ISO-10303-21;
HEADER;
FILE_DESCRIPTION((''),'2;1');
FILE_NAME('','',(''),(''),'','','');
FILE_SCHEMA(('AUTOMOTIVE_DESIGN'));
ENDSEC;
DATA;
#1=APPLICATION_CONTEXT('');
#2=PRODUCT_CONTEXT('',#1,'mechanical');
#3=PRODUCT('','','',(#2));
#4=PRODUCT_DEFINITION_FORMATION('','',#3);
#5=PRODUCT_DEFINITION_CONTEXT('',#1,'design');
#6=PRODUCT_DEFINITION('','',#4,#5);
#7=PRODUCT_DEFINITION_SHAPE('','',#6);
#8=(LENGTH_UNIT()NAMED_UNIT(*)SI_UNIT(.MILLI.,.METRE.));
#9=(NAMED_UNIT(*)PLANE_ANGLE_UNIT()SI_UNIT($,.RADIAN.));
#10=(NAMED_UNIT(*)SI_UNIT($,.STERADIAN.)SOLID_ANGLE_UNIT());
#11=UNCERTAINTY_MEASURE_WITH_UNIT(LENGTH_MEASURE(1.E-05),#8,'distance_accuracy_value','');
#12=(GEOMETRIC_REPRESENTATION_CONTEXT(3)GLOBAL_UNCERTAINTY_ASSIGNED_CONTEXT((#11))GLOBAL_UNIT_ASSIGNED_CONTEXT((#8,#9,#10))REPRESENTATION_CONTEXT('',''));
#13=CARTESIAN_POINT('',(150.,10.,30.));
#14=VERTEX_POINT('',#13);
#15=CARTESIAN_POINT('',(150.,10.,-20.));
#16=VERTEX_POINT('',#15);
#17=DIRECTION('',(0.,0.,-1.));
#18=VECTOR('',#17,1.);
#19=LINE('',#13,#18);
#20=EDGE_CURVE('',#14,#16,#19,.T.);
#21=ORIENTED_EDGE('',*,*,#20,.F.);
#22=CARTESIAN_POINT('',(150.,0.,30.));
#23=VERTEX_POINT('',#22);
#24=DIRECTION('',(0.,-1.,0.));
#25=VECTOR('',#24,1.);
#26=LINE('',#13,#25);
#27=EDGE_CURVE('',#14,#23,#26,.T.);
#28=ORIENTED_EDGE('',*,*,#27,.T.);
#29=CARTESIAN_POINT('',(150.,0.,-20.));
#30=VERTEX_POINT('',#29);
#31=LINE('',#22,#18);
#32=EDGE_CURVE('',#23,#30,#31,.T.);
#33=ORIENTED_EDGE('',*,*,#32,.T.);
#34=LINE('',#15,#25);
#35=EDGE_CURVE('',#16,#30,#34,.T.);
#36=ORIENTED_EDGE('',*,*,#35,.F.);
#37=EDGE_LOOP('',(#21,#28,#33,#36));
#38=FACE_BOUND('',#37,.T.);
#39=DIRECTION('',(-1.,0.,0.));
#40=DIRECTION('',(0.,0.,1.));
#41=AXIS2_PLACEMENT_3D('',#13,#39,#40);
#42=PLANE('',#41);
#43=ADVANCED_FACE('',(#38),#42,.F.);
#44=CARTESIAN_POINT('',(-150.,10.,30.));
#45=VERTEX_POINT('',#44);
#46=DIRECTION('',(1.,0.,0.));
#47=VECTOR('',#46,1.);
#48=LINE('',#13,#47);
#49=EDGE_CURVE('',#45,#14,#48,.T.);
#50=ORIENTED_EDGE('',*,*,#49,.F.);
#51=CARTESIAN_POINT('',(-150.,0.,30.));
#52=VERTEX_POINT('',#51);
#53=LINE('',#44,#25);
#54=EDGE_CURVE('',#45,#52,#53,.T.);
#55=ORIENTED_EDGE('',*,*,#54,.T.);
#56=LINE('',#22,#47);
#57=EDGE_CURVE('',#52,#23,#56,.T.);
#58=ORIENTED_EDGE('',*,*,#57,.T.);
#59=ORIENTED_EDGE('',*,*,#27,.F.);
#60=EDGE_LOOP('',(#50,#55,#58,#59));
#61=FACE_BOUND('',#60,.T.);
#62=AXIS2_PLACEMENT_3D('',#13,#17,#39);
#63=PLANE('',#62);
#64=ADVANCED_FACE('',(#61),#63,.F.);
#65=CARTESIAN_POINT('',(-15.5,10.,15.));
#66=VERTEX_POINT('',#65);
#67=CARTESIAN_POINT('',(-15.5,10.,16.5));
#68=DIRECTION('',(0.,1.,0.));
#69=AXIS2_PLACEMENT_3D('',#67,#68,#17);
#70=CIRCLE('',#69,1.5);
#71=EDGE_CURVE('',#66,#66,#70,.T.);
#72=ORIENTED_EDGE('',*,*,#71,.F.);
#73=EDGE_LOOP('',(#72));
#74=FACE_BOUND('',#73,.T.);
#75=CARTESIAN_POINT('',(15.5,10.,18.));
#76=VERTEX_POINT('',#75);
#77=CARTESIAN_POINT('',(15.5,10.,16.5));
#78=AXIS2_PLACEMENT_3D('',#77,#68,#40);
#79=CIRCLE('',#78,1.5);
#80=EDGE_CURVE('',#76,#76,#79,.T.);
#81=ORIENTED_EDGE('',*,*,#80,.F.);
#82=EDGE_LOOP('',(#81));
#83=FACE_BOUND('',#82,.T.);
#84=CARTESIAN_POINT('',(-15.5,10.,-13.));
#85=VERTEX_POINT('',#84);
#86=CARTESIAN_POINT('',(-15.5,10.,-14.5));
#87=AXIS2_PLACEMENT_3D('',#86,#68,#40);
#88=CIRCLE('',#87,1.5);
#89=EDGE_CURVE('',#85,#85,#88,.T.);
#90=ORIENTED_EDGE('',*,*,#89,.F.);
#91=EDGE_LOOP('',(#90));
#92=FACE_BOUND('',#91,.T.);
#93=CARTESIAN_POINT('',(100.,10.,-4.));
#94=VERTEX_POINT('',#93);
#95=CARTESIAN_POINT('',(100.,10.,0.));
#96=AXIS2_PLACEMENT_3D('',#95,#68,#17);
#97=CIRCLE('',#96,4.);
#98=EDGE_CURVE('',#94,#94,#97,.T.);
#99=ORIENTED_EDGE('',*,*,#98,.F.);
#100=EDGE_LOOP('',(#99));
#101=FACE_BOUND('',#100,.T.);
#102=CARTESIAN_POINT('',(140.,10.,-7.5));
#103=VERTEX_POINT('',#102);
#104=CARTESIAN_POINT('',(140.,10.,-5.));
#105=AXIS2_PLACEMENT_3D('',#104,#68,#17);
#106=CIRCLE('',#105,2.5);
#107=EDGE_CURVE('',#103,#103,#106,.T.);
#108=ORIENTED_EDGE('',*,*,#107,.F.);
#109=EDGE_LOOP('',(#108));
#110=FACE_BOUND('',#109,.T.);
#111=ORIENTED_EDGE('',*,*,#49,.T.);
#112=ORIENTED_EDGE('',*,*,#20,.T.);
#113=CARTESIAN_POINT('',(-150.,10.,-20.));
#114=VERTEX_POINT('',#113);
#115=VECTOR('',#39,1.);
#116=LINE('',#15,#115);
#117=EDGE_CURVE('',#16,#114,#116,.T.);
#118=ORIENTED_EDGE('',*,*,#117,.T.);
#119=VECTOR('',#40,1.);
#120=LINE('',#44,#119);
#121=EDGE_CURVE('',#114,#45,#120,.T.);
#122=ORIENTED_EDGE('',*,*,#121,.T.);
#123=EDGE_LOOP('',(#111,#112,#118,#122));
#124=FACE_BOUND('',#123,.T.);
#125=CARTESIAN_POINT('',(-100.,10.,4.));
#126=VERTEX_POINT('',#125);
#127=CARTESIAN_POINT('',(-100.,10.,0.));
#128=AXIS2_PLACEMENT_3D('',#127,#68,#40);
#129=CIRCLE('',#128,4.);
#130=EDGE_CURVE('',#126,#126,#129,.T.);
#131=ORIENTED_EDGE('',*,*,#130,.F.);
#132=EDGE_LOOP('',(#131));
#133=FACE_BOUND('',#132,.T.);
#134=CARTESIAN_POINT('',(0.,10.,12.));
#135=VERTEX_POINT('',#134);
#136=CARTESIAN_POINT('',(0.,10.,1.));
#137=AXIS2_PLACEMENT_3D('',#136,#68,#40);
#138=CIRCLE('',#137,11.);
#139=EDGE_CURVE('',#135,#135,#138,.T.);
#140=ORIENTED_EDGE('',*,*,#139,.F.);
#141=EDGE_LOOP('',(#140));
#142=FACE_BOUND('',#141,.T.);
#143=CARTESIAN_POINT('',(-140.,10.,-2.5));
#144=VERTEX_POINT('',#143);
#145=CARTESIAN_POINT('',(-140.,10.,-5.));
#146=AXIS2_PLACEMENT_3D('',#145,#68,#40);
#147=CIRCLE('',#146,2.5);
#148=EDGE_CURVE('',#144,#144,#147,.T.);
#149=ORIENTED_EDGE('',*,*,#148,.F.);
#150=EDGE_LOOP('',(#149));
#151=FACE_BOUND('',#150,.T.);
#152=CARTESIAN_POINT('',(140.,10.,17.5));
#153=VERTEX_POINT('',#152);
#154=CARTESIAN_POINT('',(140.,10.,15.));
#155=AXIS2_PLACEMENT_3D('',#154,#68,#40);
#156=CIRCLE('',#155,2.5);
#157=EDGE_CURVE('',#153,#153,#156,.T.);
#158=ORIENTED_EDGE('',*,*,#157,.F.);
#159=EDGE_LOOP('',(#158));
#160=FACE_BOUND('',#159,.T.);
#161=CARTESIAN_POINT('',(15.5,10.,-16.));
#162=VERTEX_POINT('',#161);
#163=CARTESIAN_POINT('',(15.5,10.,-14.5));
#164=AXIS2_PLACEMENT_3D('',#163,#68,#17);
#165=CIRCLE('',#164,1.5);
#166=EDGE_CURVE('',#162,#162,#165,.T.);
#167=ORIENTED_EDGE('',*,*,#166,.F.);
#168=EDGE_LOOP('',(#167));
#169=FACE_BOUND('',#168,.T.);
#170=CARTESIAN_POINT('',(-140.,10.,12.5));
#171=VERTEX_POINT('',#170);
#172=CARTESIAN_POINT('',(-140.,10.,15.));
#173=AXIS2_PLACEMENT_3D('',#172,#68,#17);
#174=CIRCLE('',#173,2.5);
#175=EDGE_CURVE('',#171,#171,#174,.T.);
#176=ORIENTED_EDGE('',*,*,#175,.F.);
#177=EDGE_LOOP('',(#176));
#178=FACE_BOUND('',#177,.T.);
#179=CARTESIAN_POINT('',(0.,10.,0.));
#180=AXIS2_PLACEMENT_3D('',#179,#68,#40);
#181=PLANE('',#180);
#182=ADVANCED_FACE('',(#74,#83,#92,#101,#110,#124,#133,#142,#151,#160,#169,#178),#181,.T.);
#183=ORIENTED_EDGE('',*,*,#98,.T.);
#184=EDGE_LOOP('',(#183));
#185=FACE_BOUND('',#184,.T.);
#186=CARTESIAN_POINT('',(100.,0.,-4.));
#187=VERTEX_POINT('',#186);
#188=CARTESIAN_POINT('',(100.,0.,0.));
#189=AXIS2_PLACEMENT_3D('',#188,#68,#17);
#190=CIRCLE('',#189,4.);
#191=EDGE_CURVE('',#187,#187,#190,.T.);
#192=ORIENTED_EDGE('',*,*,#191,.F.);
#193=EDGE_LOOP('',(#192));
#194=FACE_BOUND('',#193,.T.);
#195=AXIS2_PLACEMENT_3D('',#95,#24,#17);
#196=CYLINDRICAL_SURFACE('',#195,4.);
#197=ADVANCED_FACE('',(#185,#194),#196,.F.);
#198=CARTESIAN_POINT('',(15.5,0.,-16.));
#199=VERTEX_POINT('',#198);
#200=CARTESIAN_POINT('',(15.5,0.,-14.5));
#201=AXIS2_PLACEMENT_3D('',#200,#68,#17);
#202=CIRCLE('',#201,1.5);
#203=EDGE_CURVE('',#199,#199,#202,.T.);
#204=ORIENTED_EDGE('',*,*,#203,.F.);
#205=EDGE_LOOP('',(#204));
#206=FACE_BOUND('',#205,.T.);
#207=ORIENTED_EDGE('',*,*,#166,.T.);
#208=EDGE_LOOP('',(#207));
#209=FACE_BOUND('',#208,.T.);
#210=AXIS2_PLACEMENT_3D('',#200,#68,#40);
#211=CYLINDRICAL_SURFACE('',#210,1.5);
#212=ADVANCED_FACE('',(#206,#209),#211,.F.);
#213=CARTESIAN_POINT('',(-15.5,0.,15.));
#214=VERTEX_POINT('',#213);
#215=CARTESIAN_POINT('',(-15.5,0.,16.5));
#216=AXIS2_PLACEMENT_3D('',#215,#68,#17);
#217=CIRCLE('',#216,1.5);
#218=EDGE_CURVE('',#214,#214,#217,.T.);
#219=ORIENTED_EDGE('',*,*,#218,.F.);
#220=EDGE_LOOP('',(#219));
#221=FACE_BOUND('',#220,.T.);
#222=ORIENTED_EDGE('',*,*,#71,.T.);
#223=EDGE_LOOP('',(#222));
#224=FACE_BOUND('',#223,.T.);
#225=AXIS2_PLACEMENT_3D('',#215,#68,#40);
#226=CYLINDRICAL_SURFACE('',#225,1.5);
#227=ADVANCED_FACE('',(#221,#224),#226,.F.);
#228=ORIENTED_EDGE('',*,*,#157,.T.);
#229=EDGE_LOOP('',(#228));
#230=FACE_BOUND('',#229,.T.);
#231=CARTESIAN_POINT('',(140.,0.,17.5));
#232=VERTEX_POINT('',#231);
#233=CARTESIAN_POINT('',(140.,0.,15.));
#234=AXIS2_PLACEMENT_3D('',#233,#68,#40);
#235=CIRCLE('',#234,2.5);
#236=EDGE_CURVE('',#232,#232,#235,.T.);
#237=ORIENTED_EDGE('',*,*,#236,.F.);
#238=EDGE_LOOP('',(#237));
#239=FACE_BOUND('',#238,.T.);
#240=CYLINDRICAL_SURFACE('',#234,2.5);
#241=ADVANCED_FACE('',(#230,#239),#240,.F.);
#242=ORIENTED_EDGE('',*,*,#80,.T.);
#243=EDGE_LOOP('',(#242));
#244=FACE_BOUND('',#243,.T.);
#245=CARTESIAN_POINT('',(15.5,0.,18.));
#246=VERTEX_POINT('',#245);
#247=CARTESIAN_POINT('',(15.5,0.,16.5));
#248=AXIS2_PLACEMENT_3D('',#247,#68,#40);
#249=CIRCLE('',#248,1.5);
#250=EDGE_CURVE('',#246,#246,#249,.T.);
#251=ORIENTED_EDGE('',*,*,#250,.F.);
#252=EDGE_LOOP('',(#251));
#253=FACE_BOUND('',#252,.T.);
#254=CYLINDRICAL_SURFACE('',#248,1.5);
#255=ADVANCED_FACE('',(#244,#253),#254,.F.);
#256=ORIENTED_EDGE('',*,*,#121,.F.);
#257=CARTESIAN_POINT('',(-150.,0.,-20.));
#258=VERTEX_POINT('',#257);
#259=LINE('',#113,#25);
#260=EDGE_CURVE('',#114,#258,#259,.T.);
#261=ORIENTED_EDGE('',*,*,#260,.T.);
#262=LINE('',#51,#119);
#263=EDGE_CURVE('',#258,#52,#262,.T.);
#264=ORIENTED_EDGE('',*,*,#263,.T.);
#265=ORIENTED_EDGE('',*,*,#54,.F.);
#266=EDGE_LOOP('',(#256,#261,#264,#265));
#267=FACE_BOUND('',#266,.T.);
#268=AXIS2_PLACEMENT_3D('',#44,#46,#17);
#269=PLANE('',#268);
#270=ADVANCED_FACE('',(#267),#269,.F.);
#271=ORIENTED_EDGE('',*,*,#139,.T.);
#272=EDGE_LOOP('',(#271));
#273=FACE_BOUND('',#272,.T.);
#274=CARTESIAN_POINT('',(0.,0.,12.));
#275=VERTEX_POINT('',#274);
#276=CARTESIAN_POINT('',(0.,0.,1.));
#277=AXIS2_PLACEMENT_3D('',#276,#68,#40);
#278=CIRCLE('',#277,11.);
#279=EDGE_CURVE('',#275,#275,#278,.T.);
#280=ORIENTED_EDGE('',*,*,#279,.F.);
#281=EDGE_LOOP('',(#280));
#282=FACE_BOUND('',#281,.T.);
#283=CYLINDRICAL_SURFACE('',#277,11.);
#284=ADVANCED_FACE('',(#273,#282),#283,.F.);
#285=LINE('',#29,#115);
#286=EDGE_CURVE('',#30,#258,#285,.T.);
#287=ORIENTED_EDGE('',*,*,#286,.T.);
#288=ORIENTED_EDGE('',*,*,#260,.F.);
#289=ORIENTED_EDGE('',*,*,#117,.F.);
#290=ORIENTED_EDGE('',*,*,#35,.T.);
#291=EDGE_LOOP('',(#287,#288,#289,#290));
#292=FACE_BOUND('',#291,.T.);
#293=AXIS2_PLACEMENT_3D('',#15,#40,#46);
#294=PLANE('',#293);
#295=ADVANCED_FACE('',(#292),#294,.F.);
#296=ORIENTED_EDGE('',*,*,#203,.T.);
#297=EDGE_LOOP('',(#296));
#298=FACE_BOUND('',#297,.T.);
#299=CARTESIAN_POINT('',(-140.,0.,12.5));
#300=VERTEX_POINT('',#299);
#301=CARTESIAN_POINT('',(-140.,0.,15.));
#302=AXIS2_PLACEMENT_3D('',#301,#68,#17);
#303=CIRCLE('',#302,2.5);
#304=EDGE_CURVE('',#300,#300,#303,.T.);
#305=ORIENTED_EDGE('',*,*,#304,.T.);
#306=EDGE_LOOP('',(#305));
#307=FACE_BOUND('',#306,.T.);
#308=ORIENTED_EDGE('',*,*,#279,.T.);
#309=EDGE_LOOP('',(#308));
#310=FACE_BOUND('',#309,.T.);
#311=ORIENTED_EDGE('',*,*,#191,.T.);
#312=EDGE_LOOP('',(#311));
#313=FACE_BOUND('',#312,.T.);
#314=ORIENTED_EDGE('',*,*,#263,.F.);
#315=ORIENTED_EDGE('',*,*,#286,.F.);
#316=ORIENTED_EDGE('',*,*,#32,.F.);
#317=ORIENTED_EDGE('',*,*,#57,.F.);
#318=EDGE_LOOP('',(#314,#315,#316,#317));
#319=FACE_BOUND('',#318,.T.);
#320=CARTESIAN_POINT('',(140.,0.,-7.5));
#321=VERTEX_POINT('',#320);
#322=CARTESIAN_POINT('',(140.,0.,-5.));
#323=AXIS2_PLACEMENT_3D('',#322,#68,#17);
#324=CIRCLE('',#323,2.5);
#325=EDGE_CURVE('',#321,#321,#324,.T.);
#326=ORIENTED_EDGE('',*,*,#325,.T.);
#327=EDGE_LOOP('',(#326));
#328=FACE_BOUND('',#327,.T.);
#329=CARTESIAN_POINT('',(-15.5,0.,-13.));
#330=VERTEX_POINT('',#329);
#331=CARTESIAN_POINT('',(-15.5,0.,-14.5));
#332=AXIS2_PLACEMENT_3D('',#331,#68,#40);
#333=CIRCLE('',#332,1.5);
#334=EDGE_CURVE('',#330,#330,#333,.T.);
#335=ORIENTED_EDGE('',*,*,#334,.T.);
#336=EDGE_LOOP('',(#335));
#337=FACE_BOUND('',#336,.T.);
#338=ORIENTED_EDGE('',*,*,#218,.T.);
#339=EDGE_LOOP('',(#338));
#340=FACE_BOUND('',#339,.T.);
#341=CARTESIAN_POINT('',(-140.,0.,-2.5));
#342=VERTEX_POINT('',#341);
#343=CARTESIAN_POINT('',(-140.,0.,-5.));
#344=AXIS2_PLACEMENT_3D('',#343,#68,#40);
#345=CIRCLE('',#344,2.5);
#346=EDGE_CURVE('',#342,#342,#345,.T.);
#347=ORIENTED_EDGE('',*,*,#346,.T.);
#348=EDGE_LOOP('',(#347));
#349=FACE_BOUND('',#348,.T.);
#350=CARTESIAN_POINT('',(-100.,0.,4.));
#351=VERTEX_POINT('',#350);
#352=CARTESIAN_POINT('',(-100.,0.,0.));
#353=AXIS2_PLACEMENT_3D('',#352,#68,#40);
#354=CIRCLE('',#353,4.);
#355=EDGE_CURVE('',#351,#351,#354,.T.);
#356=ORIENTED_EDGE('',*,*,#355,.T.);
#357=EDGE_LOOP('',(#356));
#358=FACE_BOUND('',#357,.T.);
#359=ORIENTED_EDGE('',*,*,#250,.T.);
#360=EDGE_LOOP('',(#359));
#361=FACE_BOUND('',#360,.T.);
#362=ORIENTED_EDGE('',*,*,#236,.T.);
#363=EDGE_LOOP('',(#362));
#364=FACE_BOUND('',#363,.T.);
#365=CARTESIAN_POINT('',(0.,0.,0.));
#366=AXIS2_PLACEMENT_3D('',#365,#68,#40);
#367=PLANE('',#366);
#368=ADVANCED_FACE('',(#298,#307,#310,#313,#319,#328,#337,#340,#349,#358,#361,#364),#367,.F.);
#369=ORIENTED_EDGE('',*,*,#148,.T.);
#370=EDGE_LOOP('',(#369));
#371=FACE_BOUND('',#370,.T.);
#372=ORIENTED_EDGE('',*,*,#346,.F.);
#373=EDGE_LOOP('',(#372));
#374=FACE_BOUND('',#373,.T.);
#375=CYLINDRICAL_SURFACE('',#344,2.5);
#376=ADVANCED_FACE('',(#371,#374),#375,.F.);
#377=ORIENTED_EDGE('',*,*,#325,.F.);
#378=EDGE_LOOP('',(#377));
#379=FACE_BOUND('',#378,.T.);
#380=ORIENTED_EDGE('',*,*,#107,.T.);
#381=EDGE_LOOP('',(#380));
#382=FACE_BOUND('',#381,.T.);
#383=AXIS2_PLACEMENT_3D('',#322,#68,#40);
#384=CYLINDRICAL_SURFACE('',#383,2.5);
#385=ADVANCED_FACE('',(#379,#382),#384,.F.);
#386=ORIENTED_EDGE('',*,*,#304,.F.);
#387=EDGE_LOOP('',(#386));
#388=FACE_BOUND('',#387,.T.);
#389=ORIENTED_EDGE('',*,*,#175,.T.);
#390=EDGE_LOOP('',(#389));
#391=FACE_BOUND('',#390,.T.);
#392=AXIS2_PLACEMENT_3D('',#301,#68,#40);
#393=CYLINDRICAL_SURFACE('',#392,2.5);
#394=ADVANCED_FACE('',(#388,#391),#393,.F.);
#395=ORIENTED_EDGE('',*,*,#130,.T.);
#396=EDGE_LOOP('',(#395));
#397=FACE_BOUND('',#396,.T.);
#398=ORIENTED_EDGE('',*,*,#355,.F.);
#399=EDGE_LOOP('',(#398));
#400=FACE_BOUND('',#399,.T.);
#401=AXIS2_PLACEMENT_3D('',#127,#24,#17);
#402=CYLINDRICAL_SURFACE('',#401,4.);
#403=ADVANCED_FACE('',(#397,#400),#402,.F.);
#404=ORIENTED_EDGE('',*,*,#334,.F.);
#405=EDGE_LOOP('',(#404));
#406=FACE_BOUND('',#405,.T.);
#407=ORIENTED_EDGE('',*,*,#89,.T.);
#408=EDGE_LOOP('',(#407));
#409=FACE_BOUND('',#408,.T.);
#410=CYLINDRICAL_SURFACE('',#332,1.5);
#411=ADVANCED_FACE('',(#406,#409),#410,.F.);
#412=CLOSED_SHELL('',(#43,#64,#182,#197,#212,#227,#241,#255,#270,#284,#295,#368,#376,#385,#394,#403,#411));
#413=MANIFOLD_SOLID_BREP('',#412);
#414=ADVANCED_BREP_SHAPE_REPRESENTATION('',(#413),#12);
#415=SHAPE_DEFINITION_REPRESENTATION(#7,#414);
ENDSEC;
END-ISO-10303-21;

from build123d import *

# Parameters (mm, degrees)
SKETCH1_W           = 300
SKETCH1_H           = 50
SKETCH1_R           = 4
MAIN_DEPTH          = 10
SKETCH4_R           = 2.5
MOUNT_DEPTH         = 154.297097168
SKETCH2_R           = 11
SKETCH2_R_2         = 1.5
STEPPER_MOUNT_DEPTH = 154.297097168


with BuildPart() as part:
    # Sketch1 → main (new body)
    with BuildSketch(Plane(origin=(0, 0, 0), x_dir=(1, 0, 0), z_dir=(0, 1, 0))):
        with Locations((0, -5)):
            Rectangle(SKETCH1_W, SKETCH1_H)
        with Locations(Location((-100, 0, 0), (0, 0, 270))):
            Circle(SKETCH1_R, mode=Mode.SUBTRACT)
        with Locations(Location((100, 0, 0), (0, 0, 90))):
            Circle(SKETCH1_R, mode=Mode.SUBTRACT)
    extrude(amount=MAIN_DEPTH)

    # Sketch4 → mount (cut, through all)
    with BuildSketch(Plane(origin=(0, 10, 0), x_dir=(1, 0, 0), z_dir=(0, 1, 0))):
        with Locations(Location((-140, 5, 0), (0, 0, 270))):
            Circle(SKETCH4_R)
        with Locations(Location((-140, -15, 0), (0, 0, 90))):
            Circle(SKETCH4_R)
        with Locations(Location((140, -15, 0), (0, 0, 270))):
            Circle(SKETCH4_R)
        with Locations(Location((140, 5, 0), (0, 0, 90))):
            Circle(SKETCH4_R)
    extrude(amount=-MOUNT_DEPTH, mode=Mode.SUBTRACT)

    # Sketch2 → stepper_mount (cut, through all)
    with BuildSketch(Plane(origin=(0, 10, 0), x_dir=(1, 0, 0), z_dir=(0, 1, 0))):
        with Locations(Location((0, -1, 0), (0, 0, 270))):
            Circle(SKETCH2_R)
        with Locations(Location((15.5, -16.5, 0), (0, 0, 270))):
            Circle(SKETCH2_R_2)
        with Locations(Location((-15.5, -16.5, 0), (0, 0, 90))):
            Circle(SKETCH2_R_2)
        with Locations(Location((-15.5, 14.5, 0), (0, 0, 270))):
            Circle(SKETCH2_R_2)
        with Locations(Location((15.5, 14.5, 0), (0, 0, 90))):
            Circle(SKETCH2_R_2)
    extrude(amount=-STEPPER_MOUNT_DEPTH, mode=Mode.SUBTRACT)


solid = part.part
